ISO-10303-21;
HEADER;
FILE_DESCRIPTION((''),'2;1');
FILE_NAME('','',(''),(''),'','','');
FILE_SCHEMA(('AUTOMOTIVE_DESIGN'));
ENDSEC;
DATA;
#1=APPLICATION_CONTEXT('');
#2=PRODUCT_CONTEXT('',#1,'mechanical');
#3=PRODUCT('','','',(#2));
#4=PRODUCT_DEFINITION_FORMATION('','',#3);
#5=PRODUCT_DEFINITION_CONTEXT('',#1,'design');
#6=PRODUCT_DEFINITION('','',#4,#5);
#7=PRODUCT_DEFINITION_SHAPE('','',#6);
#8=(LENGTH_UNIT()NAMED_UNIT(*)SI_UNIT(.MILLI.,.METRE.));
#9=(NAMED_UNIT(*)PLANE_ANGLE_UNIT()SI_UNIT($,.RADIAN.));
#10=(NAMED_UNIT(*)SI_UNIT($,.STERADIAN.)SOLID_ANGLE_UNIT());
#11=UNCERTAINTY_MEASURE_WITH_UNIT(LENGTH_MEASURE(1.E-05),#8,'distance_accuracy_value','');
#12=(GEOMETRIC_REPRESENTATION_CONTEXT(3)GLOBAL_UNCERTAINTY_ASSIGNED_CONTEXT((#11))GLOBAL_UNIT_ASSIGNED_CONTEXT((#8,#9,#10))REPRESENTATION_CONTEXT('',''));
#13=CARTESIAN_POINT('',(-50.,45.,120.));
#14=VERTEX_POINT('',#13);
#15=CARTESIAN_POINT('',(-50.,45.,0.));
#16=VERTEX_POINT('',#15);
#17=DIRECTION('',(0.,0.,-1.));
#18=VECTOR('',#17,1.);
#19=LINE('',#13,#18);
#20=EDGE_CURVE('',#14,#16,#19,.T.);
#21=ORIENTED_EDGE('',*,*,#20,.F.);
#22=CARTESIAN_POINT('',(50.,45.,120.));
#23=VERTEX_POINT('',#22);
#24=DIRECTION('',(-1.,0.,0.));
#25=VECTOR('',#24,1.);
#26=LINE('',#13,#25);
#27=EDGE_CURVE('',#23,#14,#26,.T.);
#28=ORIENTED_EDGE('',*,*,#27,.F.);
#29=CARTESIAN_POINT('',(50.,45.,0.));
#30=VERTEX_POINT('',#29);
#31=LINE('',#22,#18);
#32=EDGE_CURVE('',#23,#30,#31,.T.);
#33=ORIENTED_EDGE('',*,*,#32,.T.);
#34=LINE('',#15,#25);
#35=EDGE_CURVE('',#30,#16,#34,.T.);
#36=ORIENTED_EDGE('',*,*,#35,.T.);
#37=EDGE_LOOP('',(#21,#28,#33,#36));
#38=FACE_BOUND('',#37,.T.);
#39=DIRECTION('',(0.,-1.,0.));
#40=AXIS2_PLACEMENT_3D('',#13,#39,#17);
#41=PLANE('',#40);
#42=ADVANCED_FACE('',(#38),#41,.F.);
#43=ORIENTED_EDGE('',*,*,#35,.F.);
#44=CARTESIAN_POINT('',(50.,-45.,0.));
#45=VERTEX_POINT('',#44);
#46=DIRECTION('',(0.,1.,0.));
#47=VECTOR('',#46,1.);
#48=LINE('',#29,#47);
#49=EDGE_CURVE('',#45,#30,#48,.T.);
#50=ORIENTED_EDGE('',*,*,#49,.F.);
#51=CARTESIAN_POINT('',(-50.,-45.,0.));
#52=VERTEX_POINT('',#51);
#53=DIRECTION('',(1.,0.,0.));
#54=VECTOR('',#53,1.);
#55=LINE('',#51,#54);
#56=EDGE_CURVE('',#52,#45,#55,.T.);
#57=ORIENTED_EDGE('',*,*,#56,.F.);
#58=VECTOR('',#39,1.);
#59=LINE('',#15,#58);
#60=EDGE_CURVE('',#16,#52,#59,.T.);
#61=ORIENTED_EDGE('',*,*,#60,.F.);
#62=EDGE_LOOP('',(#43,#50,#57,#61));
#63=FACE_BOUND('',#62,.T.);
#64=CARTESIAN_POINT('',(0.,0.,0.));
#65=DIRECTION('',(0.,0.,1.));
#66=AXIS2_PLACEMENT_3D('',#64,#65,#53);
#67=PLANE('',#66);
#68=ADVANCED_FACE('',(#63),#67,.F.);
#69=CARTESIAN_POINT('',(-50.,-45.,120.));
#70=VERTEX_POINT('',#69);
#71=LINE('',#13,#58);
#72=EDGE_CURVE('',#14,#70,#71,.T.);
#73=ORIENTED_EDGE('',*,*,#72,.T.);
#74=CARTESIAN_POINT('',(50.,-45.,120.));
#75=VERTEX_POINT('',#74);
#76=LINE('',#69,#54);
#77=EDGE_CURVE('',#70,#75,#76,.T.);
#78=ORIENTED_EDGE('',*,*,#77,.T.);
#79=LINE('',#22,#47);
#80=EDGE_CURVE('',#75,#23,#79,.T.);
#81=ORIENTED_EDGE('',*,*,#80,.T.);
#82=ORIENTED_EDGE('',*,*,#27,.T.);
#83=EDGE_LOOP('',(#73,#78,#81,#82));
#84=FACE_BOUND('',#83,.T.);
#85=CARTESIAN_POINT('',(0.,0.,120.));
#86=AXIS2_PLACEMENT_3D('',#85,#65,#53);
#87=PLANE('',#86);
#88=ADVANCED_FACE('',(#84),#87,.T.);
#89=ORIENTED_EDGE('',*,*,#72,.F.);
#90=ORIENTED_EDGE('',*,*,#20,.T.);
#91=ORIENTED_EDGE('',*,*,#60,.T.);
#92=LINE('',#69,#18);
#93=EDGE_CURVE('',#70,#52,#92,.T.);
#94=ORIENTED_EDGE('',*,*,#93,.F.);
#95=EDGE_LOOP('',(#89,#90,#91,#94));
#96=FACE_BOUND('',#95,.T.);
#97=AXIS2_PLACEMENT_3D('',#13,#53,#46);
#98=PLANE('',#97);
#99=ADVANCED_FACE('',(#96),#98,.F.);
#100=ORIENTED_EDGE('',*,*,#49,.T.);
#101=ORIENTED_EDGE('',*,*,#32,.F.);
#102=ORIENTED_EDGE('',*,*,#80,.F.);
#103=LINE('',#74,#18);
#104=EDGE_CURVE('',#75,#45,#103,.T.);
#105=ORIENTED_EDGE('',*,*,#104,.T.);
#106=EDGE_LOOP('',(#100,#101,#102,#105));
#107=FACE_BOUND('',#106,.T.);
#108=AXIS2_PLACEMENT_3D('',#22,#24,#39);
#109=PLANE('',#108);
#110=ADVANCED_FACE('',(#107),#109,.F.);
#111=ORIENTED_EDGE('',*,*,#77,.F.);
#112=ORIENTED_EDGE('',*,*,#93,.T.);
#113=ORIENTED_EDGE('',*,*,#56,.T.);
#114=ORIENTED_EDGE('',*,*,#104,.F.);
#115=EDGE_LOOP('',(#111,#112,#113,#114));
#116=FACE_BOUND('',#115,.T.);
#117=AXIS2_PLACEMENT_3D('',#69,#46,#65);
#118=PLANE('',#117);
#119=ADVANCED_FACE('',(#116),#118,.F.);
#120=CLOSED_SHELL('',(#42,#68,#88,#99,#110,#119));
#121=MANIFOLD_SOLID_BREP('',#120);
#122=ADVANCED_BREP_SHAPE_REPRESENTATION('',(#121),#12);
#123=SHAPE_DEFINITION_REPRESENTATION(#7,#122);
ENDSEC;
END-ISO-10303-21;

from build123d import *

# Parameters (mm, degrees)
SKETCH_1_W      = 100
SKETCH_1_H      = 90
EXTRUDE_2_DEPTH = 120


with BuildPart() as part:
    # Эскиз1 → Бобышка-Вытянуть2 (new body)
    with BuildSketch(Plane.XY):
        Rectangle(SKETCH_1_W, SKETCH_1_H)
    extrude(amount=EXTRUDE_2_DEPTH)


solid = part.part
